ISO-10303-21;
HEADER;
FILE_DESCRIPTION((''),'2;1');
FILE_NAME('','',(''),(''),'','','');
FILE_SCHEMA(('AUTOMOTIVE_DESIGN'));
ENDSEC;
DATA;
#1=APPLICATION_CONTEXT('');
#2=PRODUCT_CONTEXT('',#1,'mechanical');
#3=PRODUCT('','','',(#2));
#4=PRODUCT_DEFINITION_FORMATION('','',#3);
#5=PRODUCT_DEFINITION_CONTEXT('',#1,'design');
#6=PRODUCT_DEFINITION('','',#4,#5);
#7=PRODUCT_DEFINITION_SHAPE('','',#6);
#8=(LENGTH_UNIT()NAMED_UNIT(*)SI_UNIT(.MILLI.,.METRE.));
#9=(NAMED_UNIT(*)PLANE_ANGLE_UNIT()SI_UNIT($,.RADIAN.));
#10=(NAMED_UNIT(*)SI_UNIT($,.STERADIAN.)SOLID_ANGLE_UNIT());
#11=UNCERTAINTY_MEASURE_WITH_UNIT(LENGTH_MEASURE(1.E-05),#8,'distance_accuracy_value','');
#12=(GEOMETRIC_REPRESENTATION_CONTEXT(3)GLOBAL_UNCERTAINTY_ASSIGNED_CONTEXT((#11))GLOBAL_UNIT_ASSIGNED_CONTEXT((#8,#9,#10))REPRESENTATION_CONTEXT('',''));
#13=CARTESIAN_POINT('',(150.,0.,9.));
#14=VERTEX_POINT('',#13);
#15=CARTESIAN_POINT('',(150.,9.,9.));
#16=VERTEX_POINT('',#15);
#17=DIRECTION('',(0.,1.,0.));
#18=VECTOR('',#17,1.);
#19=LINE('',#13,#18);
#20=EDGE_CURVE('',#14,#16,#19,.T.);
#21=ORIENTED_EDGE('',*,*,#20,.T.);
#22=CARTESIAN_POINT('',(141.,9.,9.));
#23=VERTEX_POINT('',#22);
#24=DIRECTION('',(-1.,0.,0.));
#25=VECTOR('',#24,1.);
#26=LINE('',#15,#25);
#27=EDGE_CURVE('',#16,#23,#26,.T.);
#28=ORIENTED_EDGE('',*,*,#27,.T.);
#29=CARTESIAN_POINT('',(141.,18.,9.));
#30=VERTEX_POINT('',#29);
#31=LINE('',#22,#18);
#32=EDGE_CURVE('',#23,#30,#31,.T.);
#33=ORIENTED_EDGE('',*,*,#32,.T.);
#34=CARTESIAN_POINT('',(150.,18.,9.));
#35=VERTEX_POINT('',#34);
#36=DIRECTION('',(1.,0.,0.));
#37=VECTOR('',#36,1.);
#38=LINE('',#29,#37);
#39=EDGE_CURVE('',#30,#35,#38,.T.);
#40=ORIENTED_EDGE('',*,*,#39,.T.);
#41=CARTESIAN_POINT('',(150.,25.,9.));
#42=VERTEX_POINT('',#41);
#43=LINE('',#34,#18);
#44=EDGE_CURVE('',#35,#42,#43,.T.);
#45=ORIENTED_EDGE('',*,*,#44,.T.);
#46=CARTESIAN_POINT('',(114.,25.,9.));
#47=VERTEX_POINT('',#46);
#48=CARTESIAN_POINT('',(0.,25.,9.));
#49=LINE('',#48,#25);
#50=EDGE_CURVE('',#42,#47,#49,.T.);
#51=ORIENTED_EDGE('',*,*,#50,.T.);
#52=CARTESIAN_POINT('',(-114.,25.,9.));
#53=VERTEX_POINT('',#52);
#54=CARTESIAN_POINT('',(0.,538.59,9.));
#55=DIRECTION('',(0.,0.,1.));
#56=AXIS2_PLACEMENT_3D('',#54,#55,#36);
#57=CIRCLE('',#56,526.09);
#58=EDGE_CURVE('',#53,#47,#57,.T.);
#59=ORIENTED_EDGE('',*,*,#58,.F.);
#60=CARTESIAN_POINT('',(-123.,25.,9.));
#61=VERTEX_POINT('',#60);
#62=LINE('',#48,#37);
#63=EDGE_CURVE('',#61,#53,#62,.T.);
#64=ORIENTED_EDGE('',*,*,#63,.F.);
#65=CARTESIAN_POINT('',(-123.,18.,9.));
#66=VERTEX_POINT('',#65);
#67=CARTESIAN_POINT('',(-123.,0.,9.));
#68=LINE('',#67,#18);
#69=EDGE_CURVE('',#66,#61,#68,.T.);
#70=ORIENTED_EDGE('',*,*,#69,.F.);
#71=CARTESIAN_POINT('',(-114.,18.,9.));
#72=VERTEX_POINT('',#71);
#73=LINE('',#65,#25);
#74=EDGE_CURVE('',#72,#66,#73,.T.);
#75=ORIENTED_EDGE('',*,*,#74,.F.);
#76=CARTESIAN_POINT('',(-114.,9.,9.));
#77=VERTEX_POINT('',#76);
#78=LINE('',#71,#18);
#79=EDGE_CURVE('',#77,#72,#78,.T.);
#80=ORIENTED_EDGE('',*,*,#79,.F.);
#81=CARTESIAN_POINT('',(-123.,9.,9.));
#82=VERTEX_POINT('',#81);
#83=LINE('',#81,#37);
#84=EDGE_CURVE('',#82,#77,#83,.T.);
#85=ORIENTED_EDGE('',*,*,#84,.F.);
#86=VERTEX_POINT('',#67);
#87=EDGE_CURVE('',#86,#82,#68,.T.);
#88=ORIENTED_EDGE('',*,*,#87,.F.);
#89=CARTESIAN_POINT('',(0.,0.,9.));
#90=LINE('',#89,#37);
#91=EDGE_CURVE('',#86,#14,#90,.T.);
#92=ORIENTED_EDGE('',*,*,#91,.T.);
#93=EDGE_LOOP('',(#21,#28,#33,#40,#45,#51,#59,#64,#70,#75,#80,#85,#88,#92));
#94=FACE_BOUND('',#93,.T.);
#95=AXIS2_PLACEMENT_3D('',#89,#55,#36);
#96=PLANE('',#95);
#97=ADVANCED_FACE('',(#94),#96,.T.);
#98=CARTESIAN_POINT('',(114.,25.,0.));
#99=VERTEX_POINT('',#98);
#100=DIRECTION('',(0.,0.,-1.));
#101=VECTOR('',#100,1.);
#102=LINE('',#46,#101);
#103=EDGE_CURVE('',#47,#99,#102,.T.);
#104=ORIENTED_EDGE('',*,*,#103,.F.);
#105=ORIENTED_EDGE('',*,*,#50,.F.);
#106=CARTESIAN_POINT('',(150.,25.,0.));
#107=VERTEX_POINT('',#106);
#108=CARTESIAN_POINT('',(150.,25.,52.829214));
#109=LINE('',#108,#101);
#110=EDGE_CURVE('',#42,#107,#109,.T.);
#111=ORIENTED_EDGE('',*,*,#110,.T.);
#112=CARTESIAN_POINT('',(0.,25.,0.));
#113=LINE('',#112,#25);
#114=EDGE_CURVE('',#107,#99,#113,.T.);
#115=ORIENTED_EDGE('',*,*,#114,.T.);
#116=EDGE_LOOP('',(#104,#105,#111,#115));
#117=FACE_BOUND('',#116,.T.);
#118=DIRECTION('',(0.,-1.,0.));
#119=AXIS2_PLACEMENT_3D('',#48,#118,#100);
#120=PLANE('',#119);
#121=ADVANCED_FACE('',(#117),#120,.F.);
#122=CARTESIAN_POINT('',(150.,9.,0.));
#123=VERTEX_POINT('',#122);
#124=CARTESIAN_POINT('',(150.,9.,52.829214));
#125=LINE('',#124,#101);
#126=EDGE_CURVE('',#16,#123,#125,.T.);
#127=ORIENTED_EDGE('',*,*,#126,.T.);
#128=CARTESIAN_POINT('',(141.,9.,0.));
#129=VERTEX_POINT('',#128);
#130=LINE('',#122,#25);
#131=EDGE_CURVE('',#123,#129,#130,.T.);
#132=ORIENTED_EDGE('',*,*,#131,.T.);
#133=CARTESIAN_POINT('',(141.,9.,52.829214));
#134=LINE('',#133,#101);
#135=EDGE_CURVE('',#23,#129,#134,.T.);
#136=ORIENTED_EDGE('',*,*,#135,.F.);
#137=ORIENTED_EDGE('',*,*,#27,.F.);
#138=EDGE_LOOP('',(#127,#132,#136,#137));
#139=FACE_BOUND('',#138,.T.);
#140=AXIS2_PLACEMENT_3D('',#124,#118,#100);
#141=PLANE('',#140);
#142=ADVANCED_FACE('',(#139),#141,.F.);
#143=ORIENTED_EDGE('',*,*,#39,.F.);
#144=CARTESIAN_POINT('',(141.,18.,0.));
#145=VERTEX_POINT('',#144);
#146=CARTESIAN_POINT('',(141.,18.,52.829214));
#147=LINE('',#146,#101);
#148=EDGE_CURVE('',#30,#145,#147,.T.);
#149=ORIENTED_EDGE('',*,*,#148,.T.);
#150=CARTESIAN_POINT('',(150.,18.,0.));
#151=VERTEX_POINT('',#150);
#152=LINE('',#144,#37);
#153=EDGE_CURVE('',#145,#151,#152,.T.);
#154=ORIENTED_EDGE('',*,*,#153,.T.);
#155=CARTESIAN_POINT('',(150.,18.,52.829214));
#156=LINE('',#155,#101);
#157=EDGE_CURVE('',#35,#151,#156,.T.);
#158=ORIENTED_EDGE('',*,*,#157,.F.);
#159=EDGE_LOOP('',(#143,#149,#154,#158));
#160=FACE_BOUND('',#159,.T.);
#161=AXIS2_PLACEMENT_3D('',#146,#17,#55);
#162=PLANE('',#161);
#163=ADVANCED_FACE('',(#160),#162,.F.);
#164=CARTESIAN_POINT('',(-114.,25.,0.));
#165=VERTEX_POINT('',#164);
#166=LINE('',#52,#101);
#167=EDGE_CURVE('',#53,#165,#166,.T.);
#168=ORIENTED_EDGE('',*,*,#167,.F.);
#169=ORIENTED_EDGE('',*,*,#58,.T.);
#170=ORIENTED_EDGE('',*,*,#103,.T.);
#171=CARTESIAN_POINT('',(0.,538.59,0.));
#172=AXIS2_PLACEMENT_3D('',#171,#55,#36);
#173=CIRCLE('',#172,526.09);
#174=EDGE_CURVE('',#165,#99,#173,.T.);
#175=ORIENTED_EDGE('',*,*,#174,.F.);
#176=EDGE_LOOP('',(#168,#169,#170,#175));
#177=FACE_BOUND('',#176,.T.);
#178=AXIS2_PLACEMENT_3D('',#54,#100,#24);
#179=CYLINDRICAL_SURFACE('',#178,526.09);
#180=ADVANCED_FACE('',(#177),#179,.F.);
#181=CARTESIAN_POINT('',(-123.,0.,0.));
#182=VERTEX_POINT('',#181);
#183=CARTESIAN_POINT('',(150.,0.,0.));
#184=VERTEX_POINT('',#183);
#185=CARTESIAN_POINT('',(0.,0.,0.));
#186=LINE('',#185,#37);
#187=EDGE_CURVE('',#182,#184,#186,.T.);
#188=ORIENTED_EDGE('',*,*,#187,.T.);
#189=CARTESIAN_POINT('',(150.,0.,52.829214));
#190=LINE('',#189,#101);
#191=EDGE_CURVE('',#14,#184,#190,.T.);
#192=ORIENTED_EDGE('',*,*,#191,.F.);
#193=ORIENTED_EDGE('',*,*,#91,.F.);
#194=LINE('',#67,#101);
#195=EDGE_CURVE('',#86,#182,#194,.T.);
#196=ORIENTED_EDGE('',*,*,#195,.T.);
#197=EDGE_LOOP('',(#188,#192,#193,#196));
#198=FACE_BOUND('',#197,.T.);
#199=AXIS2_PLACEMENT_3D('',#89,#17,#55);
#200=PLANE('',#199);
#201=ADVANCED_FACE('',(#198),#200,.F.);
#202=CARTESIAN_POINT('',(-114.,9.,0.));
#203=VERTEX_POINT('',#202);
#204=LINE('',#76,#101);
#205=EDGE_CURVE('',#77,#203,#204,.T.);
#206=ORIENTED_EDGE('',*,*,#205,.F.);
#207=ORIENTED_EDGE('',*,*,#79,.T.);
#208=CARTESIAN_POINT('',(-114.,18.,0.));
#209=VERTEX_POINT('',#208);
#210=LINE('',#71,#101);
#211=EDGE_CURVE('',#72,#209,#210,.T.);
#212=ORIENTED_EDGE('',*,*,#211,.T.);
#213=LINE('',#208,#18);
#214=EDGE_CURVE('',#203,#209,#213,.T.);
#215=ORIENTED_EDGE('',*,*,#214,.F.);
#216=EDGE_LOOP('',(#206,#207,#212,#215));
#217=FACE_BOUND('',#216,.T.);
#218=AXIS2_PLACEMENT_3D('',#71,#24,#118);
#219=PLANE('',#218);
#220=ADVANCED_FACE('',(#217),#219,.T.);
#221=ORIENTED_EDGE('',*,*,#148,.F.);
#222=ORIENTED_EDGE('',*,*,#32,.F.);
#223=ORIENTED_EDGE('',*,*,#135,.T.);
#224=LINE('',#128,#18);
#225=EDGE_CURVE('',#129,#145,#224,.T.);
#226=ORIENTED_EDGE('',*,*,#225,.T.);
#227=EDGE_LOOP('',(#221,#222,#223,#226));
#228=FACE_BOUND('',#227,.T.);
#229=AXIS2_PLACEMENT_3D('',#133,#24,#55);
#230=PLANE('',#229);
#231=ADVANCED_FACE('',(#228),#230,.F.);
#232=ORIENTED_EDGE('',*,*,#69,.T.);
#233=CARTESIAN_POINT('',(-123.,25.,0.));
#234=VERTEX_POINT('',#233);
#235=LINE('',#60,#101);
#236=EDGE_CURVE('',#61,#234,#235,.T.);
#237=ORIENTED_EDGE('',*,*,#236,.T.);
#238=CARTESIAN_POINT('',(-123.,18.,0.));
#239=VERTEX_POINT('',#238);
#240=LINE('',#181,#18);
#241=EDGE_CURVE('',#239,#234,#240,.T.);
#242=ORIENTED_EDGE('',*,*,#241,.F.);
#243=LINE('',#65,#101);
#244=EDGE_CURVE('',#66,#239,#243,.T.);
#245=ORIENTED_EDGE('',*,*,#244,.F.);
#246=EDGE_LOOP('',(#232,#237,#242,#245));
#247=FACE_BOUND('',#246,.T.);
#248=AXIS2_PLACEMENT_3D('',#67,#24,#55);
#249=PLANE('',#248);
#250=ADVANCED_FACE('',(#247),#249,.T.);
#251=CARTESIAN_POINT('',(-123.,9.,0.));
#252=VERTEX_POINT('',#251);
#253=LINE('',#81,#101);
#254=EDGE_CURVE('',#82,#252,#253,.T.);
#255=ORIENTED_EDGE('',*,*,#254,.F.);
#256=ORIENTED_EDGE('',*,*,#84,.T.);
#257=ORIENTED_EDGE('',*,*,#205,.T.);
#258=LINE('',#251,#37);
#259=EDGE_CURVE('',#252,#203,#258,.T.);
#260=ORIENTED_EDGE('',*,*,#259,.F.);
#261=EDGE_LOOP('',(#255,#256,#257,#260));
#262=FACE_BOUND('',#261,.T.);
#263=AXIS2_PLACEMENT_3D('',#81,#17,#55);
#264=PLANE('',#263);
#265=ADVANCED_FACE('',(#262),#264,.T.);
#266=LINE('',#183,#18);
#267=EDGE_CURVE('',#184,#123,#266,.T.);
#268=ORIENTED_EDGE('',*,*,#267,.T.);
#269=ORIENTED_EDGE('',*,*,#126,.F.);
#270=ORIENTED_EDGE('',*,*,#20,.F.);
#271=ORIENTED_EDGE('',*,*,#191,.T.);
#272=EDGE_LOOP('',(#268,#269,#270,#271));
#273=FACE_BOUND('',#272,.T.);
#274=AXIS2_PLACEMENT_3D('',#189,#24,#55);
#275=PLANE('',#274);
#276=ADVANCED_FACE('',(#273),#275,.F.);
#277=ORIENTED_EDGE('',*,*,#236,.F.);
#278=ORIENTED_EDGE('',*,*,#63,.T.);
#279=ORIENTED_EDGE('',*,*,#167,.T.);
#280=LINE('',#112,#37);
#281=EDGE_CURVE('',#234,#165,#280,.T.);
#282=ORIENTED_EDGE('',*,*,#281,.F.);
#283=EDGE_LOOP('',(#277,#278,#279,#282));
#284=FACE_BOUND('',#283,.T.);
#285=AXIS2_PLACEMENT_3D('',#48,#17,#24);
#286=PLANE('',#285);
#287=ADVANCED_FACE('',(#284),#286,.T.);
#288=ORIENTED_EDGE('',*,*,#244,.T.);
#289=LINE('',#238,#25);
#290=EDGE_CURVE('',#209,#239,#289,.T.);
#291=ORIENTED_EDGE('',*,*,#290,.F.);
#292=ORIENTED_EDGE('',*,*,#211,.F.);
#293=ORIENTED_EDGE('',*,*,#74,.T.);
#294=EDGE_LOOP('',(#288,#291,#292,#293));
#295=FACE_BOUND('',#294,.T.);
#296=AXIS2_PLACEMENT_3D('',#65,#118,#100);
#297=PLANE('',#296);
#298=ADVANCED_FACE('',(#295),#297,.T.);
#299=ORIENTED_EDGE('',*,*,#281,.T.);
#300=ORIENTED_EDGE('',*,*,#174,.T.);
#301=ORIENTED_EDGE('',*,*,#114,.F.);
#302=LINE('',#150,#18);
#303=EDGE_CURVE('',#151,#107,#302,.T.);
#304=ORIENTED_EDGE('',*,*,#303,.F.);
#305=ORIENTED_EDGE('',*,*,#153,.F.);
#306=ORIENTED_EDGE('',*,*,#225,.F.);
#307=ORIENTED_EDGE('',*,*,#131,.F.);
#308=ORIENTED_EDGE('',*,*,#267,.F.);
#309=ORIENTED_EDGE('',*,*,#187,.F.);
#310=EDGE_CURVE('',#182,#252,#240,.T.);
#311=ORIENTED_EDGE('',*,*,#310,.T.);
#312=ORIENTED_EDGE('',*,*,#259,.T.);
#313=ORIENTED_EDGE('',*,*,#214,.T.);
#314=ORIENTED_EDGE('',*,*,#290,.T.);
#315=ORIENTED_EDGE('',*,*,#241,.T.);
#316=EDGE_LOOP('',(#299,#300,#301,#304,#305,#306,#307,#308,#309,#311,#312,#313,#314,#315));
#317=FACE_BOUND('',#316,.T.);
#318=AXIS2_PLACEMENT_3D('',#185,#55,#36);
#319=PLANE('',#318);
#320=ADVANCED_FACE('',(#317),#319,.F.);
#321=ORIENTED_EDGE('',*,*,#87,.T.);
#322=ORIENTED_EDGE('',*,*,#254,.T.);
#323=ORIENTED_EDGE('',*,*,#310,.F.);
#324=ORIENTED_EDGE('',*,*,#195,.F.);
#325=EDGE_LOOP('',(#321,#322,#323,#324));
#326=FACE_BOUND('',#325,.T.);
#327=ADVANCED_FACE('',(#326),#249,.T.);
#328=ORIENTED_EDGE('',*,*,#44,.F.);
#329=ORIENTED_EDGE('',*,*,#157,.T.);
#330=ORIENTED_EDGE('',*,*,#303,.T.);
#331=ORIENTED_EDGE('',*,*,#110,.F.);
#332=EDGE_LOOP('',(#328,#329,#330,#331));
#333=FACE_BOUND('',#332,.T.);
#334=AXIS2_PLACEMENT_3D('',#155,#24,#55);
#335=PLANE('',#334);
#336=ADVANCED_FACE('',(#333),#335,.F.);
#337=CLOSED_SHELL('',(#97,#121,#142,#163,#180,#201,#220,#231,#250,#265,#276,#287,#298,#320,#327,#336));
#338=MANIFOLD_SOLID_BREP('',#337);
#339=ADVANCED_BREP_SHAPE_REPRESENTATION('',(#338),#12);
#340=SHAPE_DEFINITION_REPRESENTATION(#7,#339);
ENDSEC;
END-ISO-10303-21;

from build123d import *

# Parameters (mm, degrees)
BOSS_EXTRUDE2_DEPTH = 9
SKETCH2_W           = 9
SKETCH2_H           = 9
CUT_EXTRUDE1_DEPTH  = 126.837196409
BOSS_EXTRUDE3_DEPTH = 9


with BuildPart() as part:
    # Sketch1 → Boss-Extrude2 (new body)
    with BuildSketch(Plane.XY):
        with BuildLine():
            Line((-123, 25), (-123, 0))
            Line((-123, 0), (123, 0))
            Line((123, 0), (123, 25))
            Line((123, 25), (114, 25))
            ThreePointArc((114, 25), (0, 12.5), (-114, 25))
            Line((-114, 25), (-123, 25))
        make_face()
    extrude(amount=BOSS_EXTRUDE2_DEPTH)

    # Sketch2 → Cut-Extrude1 (cut, through all)
    with BuildSketch(Plane.XY):
        with Locations((118.5, 13.5)):
            Rectangle(SKETCH2_W, SKETCH2_H)
        with Locations((-118.5, 13.5)):
            Rectangle(SKETCH2_W, SKETCH2_H)
    extrude(amount=CUT_EXTRUDE1_DEPTH, mode=Mode.SUBTRACT)

    # Sketch3 → Boss-Extrude3 (add)
    with BuildSketch(Plane.XY):
        Polygon((114, 25), (114, 0), (150, 0), (150, 9), (141, 9), (141, 18), (150, 18), (150, 25), align=None)
    extrude(amount=BOSS_EXTRUDE3_DEPTH)


solid = part.part
